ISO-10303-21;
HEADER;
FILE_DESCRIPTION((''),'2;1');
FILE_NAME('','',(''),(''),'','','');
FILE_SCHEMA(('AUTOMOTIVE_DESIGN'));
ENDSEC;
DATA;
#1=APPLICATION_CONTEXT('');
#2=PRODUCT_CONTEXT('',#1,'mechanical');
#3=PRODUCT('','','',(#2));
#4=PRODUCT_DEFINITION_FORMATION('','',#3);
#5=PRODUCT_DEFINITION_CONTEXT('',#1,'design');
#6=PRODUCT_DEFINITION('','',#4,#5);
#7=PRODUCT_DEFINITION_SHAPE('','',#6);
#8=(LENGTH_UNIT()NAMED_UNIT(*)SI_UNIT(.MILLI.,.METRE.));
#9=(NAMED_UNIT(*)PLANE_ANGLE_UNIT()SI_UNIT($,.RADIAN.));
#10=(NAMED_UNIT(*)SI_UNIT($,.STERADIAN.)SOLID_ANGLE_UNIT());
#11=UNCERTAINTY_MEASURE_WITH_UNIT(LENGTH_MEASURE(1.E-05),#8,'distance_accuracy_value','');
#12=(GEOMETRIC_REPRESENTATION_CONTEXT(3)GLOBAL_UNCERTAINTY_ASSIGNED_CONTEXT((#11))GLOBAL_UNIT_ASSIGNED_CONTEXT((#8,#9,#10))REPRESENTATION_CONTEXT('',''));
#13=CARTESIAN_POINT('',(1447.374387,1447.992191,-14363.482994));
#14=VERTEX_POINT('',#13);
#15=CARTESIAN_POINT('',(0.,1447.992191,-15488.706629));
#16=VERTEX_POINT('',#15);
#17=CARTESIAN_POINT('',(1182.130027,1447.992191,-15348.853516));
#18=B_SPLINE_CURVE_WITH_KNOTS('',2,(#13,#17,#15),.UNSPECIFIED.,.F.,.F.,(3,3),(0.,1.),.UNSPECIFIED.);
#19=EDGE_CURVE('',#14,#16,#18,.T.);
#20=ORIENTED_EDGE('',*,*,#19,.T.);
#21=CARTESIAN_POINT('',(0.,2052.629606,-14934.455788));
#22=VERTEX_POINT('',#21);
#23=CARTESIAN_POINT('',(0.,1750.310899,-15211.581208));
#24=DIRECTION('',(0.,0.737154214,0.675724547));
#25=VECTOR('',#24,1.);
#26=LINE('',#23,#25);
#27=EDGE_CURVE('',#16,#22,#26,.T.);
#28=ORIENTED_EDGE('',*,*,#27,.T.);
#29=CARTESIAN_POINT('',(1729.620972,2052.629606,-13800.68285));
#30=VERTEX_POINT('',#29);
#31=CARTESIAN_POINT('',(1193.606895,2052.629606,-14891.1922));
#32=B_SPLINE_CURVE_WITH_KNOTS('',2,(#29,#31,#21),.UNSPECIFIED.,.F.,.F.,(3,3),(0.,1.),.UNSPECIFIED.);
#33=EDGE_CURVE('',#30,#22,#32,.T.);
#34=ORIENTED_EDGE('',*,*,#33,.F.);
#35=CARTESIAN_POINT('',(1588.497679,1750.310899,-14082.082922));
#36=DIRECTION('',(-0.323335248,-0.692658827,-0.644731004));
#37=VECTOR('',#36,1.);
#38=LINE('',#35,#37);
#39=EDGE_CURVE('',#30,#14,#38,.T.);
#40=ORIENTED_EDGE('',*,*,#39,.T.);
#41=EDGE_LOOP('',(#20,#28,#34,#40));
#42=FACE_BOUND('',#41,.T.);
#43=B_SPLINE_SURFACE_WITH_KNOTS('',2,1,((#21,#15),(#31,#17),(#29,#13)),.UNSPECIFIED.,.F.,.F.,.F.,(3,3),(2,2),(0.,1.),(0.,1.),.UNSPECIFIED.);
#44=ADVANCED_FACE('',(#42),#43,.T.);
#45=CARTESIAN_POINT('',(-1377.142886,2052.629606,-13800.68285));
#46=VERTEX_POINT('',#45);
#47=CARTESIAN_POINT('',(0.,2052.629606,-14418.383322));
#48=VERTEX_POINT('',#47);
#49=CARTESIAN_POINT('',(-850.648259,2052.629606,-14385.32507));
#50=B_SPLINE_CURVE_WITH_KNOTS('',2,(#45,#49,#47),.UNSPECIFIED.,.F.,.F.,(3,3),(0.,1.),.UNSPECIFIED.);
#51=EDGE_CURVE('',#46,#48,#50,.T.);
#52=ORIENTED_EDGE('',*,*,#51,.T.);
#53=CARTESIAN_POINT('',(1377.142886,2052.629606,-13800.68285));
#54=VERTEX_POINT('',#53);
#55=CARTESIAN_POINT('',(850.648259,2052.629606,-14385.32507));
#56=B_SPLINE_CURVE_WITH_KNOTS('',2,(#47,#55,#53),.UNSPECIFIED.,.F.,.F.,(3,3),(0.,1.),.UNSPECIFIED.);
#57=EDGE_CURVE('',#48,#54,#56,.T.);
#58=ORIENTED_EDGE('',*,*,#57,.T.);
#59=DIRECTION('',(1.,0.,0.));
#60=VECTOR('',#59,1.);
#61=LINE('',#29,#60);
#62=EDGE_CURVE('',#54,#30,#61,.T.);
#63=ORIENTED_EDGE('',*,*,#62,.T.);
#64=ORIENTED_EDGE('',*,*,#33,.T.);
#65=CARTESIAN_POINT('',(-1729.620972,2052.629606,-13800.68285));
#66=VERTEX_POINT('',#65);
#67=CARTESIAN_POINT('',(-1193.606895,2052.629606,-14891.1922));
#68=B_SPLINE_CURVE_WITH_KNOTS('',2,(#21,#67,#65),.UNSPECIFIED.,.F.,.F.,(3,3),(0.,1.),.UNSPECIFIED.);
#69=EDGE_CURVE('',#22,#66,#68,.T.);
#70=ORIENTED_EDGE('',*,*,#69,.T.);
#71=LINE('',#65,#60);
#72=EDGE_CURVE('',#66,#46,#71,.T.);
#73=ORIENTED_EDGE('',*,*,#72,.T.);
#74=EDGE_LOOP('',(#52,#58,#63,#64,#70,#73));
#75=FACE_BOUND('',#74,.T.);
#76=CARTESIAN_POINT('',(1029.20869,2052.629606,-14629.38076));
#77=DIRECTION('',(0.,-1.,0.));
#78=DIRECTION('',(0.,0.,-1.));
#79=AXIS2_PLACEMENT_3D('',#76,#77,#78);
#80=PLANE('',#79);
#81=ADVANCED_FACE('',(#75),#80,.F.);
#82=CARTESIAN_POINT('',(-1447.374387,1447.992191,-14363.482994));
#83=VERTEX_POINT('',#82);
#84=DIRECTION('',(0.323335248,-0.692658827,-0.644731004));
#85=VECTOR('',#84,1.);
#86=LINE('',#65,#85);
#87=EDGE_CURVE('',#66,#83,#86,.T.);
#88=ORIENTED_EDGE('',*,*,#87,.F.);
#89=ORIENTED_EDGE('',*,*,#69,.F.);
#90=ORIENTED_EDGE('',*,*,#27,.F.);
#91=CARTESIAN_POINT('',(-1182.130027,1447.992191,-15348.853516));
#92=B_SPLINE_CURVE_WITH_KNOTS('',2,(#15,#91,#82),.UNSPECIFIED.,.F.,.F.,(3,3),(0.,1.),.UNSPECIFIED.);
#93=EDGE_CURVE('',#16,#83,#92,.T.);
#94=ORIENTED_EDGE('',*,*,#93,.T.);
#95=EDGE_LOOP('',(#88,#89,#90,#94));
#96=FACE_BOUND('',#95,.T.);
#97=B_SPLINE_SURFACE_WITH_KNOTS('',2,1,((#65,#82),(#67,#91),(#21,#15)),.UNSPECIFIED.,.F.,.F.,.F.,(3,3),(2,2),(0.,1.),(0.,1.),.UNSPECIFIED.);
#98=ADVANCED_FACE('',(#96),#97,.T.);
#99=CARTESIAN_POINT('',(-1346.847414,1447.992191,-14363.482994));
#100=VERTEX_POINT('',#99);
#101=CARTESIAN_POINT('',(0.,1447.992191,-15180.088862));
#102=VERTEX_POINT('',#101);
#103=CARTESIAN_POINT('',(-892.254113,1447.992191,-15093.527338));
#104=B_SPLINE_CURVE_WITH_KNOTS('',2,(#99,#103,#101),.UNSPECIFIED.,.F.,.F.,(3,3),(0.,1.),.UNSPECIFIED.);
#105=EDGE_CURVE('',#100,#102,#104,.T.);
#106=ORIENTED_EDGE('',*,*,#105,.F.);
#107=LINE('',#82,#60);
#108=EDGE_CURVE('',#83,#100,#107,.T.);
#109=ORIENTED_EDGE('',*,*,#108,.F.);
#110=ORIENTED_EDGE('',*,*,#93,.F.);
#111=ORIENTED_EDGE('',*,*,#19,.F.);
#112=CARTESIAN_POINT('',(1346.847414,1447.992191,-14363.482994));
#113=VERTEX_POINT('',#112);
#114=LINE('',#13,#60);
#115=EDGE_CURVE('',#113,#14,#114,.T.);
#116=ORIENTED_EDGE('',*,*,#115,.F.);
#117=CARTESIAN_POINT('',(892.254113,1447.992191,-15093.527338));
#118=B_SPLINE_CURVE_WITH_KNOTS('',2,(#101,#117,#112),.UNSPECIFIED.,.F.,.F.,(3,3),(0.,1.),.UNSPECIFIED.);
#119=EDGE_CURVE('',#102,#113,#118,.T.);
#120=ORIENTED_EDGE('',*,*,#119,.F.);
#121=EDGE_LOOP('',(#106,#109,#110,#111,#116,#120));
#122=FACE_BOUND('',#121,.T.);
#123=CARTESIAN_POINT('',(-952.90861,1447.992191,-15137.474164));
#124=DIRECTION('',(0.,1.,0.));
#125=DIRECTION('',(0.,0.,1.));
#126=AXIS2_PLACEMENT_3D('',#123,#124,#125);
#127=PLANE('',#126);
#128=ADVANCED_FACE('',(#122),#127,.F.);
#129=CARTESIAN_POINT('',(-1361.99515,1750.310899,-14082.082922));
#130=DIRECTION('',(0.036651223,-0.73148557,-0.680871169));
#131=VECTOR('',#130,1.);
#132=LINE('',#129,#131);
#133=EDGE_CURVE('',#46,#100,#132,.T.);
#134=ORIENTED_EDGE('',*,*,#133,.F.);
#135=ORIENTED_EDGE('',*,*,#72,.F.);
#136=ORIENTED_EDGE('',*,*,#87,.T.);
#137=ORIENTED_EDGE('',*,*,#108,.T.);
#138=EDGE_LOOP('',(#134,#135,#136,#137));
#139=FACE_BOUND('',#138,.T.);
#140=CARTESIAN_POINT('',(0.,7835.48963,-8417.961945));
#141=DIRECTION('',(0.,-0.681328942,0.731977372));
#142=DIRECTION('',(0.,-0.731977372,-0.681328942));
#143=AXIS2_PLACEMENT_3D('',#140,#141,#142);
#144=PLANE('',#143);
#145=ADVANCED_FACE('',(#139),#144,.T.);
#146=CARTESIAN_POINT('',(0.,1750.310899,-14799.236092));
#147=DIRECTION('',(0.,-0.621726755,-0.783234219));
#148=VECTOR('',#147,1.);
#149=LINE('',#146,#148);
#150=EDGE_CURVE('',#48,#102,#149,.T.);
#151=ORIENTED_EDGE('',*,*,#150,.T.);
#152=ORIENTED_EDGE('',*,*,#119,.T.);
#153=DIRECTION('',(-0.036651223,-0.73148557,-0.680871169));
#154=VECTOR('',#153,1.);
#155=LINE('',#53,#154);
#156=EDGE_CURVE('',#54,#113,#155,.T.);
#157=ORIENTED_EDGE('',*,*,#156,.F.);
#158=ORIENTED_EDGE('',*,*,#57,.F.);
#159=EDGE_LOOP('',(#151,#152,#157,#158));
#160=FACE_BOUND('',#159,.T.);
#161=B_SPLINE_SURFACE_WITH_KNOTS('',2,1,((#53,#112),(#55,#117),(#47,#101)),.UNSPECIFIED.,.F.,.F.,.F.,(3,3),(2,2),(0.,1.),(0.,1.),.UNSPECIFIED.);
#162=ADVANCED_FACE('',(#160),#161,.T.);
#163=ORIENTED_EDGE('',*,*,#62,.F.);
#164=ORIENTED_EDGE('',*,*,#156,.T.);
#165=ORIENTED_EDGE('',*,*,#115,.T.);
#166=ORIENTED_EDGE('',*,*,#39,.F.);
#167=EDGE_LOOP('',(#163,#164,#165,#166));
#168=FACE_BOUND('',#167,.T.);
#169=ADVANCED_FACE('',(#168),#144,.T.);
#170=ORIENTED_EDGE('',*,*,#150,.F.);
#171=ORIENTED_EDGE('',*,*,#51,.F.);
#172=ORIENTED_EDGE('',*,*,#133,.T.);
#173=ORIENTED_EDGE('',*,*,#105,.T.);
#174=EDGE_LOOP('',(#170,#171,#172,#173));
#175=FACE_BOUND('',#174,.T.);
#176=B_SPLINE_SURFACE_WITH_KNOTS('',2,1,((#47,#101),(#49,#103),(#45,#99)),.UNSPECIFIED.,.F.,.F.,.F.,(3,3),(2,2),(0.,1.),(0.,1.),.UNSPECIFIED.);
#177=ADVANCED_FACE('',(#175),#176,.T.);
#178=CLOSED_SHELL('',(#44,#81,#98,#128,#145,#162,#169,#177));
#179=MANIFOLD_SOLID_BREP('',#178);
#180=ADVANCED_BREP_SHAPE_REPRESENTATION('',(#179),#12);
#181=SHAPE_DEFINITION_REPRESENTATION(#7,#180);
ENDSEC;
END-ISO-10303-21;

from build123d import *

# Parameters (mm, degrees)
BOSS_EXTRUDE1_DEPTH      = 76.2
BOSS_EXTRUDE2_DEPTH      = 25873.085069
BOSS_EXTRUDE2_DEPTH_BACK = 11480.154931
SKETCH6_R                = 2240.28
SKETCH6_R_2              = 2151.38
CUT_EXTRUDE2_DEPTH       = 40152.227650453
CUT_EXTRUDE2_DEPTH_BACK  = 40152.227650453
SKETCH9_R                = 2603.835118227
SKETCH9_R_2              = 2240.28
SKETCH16_R               = 2240.28
SKETCH17_R               = 355.259859159
SKETCH39_R               = 2240.28
BOSS_EXTRUDE5_DEPTH      = 1158.989431677
SKETCH40_W               = 22247.712993738
SKETCH40_H               = 18439.107036522
CUT_EXTRUDE9_DEPTH       = 47201.096742261


with BuildPart() as part:
    # Sketch4 → Boss-Extrude1 (new body)
    with BuildSketch(Plane(origin=(0, 0, 0), x_dir=(1, 0, 0), z_dir=(0, 1, 0))):
        with BuildLine():
            Line((-2240.28, 11480.154930676), (-2240.28, -25873.085069324))
            add(Edge.make_bspline(
                [(-2240.28, -25873.085069324), (-1878.626183949, -27707.433501437), (0, -28507.09818)],
                knots=[0, 0, 0, 1, 1, 1], degree=2))
            add(Edge.make_bspline(
                [(2240.28, -25873.085069324), (1878.62618395, -27707.433501437), (0, -28507.09818)],
                knots=[0, 0, 0, 1, 1, 1], degree=2))
            Line((2240.28, -25873.085069324), (2240.28, 11480.154930676))
            Line((2240.28, 11480.154930676), (-2240.28, 11480.154930676))
        make_face()
    extrude(amount=BOSS_EXTRUDE1_DEPTH)

    # Sketch6 → Boss-Extrude2 (add, two sides: drawn at the far end of the back side and taken through both)
    with BuildSketch(Plane.XY.offset(-BOSS_EXTRUDE2_DEPTH_BACK)):
        with Locations((0, 609.6)):
            Circle(SKETCH6_R)
        with Locations((0, 609.6)):
            Circle(SKETCH6_R_2, mode=Mode.SUBTRACT)
    extrude(amount=BOSS_EXTRUDE2_DEPTH + BOSS_EXTRUDE2_DEPTH_BACK)

    # Sketch9 → Cut-Extrude2 (cut, two sides: drawn at the far end of the back side and taken through both)
    with BuildSketch(Plane(origin=(0, 0, -11480.154930676), x_dir=(-1, 0, 0), z_dir=(0, 0, -1)).offset(-CUT_EXTRUDE2_DEPTH_BACK)):
        with Locations((0, 609.6)):
            Circle(SKETCH9_R)
        with Locations(Location((0, 609.6, 0), (0, 0, 346.225853002))):
            Circle(SKETCH9_R_2, mode=Mode.SUBTRACT)
    extrude(amount=CUT_EXTRUDE2_DEPTH + CUT_EXTRUDE2_DEPTH_BACK, mode=Mode.SUBTRACT)

    # Sketch16 → Loft1 section 0
    with BuildSketch(Plane.XY.offset(25873.085069324)):
        with Locations((0, 609.6)):
            Circle(SKETCH16_R)
    # Sketch15 → Loft1 section 1
    with BuildSketch(Plane.XY.offset(31657.776596271)):
        with BuildLine():
            add(Edge.make_bspline(
                [(0, 2543.01989867), (915.928720581, 2543.01989867), (2286.858534778, -200.689582198), (0, -503.660012782), (-2286.858534778, -200.689582198), (-915.928720581, 2543.01989867), (0, 2543.01989867)],
                knots=[0, 0, 0, 0, 0.334053834, 0.5, 0.665946166, 1, 1, 1, 1], degree=3))
        make_face()
    # Sketch17 → Loft1 section 2
    with BuildSketch(Plane.XY.offset(34418.206950084)):
        with Locations((0, 1489.004579609)):
            Circle(SKETCH17_R)
    loft()

    # Sketch39 → Boss-Extrude5 (add)
    with BuildSketch(Plane(origin=(0, 0, -11480.154930676), x_dir=(-1, 0, 0), z_dir=(0, 0, -1))):
        with Locations((0, 609.6)):
            Circle(SKETCH39_R)
    extrude(amount=BOSS_EXTRUDE5_DEPTH)

    # Sketch40 → Cut-Extrude9 (cut, through all)
    with BuildSketch(Plane(origin=(0, 0, -12639.144362353), x_dir=(-1, 0, 0), z_dir=(0, 0, -1))):
        Rectangle(SKETCH40_W, SKETCH40_H)
    extrude(amount=-CUT_EXTRUDE9_DEPTH, mode=Mode.SUBTRACT)


with BuildPart() as body_2:
    # Sketch41 → Loft2 section 0
    with BuildSketch(Plane(origin=(0, 2052.629606143, 0), x_dir=(1, 0, 0), z_dir=(0, 1, 0))):
        with BuildLine():
            Line((-1729.620971703, 13800.682850485), (-1377.142886148, 13800.682850485))
            add(Edge.make_bspline(
                [(-1377.142886148, 13800.682850485), (-850.648259402, 14385.325069701), (0, 14418.383322118)],
                knots=[0, 0, 0, 1, 1, 1], degree=2))
            add(Edge.make_bspline(
                [(1377.142886148, 13800.682850485), (850.648259402, 14385.325069701), (0, 14418.383322118)],
                knots=[0, 0, 0, 1, 1, 1], degree=2))
            Line((1377.142886148, 13800.682850485), (1729.620971703, 13800.682850485))
            add(Edge.make_bspline(
                [(1729.620971703, 13800.682850485), (1193.606895017, 14891.192200236), (0, 14934.455787556)],
                knots=[0, 0, 0, 1, 1, 1], degree=2))
            add(Edge.make_bspline(
                [(-1729.620971703, 13800.682850485), (-1193.606895017, 14891.192200236), (0, 14934.455787556)],
                knots=[0, 0, 0, 1, 1, 1], degree=2))
        make_face()
    # Sketch42 → Loft2 section 1
    with BuildSketch(Plane(origin=(0, 1447.99219123, 0), x_dir=(1, 0, 0), z_dir=(0, 1, 0))):
        with BuildLine():
            Line((-1447.374386664, 14363.482994407), (-1346.847413691, 14363.482994407))
            add(Edge.make_bspline(
                [(-1346.847413691, 14363.482994407), (-892.254112883, 15093.527338448), (0, 15180.088861613)],
                knots=[0, 0, 0, 1, 1, 1], degree=2))
            add(Edge.make_bspline(
                [(1346.847413691, 14363.482994407), (892.254112883, 15093.527338448), (0, 15180.088861613)],
                knots=[0, 0, 0, 1, 1, 1], degree=2))
            Line((1346.847413691, 14363.482994407), (1447.374386664, 14363.482994407))
            add(Edge.make_bspline(
                [(1447.374386664, 14363.482994407), (1182.130026726, 15348.85351601), (0, 15488.706628883)],
                knots=[0, 0, 0, 1, 1, 1], degree=2))
            add(Edge.make_bspline(
                [(-1447.374386664, 14363.482994407), (-1182.130026726, 15348.85351601), (0, 15488.706628883)],
                knots=[0, 0, 0, 1, 1, 1], degree=2))
        make_face()
    loft()


solid = body_2.part
